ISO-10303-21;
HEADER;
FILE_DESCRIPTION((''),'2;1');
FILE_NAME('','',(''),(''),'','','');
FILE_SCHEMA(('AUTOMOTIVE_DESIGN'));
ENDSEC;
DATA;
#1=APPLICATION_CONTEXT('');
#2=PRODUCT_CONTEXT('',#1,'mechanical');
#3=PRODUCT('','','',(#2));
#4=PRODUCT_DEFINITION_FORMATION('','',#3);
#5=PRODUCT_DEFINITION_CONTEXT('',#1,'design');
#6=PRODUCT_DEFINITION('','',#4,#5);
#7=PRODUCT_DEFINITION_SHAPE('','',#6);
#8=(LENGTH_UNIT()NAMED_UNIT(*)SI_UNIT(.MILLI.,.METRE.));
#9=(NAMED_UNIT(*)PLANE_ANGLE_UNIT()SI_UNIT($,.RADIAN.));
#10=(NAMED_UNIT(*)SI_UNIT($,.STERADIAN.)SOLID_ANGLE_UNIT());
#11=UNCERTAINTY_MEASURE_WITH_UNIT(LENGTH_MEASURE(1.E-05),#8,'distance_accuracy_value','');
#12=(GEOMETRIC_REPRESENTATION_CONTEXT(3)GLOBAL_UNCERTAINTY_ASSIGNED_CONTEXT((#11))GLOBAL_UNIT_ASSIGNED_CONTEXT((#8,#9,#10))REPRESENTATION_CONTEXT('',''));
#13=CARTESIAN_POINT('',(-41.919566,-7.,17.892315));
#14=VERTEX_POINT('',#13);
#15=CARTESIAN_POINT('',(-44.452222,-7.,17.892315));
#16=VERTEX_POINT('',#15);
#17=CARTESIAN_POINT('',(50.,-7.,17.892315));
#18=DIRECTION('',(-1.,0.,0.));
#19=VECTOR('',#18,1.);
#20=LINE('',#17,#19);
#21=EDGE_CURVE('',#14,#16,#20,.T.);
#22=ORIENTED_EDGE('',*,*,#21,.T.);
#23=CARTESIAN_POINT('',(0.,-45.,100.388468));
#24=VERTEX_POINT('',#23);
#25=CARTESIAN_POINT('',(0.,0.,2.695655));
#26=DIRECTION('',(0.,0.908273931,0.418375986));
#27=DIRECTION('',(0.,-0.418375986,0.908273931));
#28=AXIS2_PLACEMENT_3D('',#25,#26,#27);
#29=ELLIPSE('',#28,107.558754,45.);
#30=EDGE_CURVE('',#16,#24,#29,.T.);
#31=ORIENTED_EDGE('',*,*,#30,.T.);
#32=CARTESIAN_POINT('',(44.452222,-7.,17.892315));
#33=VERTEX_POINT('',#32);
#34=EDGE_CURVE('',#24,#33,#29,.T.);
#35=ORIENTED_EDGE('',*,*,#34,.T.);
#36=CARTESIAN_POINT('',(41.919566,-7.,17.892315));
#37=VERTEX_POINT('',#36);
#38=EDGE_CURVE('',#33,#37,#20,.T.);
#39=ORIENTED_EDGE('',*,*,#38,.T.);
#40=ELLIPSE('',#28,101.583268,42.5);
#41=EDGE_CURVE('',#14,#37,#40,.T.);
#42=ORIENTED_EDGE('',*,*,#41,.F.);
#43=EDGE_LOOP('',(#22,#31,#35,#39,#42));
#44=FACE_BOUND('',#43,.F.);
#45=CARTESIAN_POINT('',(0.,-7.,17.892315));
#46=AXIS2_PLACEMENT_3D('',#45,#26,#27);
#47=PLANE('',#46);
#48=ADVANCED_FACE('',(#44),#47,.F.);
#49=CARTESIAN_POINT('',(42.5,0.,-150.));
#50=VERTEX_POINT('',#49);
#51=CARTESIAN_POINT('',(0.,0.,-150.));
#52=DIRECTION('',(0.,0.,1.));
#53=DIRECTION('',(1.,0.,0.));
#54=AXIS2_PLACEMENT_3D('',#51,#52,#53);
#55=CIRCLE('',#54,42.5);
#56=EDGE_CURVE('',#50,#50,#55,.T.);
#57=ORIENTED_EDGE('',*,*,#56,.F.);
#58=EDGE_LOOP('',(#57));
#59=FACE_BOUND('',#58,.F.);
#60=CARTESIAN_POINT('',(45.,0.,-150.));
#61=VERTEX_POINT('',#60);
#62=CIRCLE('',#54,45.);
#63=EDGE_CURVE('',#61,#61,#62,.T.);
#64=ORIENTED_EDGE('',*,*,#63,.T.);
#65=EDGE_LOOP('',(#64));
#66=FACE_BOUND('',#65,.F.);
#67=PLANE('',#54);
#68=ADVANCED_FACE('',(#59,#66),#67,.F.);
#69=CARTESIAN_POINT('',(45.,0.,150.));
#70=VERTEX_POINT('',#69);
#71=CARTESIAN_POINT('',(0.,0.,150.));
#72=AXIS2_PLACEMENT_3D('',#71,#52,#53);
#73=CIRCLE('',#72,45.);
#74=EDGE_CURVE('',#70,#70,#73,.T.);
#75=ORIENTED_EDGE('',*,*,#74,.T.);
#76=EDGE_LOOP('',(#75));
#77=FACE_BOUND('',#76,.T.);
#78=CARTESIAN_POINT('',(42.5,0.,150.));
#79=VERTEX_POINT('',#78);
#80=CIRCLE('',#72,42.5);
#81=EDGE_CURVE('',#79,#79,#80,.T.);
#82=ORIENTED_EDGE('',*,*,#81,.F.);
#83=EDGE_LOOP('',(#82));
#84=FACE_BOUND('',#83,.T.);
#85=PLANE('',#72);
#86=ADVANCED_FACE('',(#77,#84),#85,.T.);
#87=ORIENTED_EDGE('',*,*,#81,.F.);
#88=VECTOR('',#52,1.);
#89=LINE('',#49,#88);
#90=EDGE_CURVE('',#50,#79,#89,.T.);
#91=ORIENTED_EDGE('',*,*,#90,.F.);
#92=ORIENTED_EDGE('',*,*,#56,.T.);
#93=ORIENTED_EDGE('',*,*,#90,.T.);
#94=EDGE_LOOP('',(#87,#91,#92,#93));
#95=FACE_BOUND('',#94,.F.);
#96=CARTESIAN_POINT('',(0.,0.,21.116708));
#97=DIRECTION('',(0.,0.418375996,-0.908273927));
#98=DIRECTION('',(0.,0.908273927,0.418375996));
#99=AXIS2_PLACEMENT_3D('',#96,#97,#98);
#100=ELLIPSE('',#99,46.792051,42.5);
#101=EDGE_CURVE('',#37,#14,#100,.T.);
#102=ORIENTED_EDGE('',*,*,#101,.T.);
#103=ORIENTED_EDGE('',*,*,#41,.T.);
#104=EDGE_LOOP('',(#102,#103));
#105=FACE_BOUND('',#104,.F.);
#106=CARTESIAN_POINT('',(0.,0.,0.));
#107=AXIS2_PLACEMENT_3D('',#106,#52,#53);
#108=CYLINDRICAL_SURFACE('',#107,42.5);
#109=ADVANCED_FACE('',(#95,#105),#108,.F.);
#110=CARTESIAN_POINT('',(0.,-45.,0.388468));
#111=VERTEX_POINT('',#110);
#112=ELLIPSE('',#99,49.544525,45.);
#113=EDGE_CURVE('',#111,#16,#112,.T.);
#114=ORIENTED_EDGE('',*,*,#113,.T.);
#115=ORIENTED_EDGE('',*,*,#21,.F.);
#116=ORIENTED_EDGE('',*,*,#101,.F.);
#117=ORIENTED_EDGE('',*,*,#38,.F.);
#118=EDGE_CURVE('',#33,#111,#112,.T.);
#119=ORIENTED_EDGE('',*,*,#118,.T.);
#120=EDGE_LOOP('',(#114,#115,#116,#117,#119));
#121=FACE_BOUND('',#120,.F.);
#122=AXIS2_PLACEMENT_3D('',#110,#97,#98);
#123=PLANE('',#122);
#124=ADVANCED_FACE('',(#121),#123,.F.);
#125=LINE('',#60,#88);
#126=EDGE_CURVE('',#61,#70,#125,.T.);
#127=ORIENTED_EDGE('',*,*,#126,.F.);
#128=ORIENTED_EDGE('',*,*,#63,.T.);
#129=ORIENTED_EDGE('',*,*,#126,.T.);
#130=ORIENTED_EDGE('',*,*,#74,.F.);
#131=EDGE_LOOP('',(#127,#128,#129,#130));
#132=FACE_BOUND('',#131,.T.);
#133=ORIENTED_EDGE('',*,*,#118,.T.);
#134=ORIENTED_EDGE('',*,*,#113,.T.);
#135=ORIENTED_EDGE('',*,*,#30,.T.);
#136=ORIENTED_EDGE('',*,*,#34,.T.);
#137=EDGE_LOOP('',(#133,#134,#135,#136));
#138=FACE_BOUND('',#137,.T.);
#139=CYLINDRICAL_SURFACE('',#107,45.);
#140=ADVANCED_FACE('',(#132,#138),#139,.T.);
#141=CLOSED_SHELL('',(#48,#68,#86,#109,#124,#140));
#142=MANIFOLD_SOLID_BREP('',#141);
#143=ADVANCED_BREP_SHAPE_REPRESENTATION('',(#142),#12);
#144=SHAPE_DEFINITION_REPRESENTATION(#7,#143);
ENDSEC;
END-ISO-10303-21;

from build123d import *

# Parameters (mm, degrees)
F0_R     = 45
F1_DEPTH = 150
F2_T     = -2.5
F4_DEPTH = 50


with BuildPart() as f1:
    # F0 (on Top) → F1 (new body, symmetric)
    with BuildSketch(Plane.XY):
        Circle(F0_R)
    extrude(amount=F1_DEPTH, both=True)

    # F2
    f2_openings = [f1.faces().sort_by_distance(p)[0] for p in [
        (0, 0, 150),
        (0, 0, -150),
    ]]
    offset(amount=F2_T, openings=f2_openings)

    # F3 (on Right) → F4 (cut, symmetric)
    with BuildSketch(Plane.YZ):
        Polygon((-45, 100.388468), (-45, 0.388468), (-7, 17.892315), align=None)
    extrude(amount=F4_DEPTH, both=True, mode=Mode.SUBTRACT)


solid = f1.part
